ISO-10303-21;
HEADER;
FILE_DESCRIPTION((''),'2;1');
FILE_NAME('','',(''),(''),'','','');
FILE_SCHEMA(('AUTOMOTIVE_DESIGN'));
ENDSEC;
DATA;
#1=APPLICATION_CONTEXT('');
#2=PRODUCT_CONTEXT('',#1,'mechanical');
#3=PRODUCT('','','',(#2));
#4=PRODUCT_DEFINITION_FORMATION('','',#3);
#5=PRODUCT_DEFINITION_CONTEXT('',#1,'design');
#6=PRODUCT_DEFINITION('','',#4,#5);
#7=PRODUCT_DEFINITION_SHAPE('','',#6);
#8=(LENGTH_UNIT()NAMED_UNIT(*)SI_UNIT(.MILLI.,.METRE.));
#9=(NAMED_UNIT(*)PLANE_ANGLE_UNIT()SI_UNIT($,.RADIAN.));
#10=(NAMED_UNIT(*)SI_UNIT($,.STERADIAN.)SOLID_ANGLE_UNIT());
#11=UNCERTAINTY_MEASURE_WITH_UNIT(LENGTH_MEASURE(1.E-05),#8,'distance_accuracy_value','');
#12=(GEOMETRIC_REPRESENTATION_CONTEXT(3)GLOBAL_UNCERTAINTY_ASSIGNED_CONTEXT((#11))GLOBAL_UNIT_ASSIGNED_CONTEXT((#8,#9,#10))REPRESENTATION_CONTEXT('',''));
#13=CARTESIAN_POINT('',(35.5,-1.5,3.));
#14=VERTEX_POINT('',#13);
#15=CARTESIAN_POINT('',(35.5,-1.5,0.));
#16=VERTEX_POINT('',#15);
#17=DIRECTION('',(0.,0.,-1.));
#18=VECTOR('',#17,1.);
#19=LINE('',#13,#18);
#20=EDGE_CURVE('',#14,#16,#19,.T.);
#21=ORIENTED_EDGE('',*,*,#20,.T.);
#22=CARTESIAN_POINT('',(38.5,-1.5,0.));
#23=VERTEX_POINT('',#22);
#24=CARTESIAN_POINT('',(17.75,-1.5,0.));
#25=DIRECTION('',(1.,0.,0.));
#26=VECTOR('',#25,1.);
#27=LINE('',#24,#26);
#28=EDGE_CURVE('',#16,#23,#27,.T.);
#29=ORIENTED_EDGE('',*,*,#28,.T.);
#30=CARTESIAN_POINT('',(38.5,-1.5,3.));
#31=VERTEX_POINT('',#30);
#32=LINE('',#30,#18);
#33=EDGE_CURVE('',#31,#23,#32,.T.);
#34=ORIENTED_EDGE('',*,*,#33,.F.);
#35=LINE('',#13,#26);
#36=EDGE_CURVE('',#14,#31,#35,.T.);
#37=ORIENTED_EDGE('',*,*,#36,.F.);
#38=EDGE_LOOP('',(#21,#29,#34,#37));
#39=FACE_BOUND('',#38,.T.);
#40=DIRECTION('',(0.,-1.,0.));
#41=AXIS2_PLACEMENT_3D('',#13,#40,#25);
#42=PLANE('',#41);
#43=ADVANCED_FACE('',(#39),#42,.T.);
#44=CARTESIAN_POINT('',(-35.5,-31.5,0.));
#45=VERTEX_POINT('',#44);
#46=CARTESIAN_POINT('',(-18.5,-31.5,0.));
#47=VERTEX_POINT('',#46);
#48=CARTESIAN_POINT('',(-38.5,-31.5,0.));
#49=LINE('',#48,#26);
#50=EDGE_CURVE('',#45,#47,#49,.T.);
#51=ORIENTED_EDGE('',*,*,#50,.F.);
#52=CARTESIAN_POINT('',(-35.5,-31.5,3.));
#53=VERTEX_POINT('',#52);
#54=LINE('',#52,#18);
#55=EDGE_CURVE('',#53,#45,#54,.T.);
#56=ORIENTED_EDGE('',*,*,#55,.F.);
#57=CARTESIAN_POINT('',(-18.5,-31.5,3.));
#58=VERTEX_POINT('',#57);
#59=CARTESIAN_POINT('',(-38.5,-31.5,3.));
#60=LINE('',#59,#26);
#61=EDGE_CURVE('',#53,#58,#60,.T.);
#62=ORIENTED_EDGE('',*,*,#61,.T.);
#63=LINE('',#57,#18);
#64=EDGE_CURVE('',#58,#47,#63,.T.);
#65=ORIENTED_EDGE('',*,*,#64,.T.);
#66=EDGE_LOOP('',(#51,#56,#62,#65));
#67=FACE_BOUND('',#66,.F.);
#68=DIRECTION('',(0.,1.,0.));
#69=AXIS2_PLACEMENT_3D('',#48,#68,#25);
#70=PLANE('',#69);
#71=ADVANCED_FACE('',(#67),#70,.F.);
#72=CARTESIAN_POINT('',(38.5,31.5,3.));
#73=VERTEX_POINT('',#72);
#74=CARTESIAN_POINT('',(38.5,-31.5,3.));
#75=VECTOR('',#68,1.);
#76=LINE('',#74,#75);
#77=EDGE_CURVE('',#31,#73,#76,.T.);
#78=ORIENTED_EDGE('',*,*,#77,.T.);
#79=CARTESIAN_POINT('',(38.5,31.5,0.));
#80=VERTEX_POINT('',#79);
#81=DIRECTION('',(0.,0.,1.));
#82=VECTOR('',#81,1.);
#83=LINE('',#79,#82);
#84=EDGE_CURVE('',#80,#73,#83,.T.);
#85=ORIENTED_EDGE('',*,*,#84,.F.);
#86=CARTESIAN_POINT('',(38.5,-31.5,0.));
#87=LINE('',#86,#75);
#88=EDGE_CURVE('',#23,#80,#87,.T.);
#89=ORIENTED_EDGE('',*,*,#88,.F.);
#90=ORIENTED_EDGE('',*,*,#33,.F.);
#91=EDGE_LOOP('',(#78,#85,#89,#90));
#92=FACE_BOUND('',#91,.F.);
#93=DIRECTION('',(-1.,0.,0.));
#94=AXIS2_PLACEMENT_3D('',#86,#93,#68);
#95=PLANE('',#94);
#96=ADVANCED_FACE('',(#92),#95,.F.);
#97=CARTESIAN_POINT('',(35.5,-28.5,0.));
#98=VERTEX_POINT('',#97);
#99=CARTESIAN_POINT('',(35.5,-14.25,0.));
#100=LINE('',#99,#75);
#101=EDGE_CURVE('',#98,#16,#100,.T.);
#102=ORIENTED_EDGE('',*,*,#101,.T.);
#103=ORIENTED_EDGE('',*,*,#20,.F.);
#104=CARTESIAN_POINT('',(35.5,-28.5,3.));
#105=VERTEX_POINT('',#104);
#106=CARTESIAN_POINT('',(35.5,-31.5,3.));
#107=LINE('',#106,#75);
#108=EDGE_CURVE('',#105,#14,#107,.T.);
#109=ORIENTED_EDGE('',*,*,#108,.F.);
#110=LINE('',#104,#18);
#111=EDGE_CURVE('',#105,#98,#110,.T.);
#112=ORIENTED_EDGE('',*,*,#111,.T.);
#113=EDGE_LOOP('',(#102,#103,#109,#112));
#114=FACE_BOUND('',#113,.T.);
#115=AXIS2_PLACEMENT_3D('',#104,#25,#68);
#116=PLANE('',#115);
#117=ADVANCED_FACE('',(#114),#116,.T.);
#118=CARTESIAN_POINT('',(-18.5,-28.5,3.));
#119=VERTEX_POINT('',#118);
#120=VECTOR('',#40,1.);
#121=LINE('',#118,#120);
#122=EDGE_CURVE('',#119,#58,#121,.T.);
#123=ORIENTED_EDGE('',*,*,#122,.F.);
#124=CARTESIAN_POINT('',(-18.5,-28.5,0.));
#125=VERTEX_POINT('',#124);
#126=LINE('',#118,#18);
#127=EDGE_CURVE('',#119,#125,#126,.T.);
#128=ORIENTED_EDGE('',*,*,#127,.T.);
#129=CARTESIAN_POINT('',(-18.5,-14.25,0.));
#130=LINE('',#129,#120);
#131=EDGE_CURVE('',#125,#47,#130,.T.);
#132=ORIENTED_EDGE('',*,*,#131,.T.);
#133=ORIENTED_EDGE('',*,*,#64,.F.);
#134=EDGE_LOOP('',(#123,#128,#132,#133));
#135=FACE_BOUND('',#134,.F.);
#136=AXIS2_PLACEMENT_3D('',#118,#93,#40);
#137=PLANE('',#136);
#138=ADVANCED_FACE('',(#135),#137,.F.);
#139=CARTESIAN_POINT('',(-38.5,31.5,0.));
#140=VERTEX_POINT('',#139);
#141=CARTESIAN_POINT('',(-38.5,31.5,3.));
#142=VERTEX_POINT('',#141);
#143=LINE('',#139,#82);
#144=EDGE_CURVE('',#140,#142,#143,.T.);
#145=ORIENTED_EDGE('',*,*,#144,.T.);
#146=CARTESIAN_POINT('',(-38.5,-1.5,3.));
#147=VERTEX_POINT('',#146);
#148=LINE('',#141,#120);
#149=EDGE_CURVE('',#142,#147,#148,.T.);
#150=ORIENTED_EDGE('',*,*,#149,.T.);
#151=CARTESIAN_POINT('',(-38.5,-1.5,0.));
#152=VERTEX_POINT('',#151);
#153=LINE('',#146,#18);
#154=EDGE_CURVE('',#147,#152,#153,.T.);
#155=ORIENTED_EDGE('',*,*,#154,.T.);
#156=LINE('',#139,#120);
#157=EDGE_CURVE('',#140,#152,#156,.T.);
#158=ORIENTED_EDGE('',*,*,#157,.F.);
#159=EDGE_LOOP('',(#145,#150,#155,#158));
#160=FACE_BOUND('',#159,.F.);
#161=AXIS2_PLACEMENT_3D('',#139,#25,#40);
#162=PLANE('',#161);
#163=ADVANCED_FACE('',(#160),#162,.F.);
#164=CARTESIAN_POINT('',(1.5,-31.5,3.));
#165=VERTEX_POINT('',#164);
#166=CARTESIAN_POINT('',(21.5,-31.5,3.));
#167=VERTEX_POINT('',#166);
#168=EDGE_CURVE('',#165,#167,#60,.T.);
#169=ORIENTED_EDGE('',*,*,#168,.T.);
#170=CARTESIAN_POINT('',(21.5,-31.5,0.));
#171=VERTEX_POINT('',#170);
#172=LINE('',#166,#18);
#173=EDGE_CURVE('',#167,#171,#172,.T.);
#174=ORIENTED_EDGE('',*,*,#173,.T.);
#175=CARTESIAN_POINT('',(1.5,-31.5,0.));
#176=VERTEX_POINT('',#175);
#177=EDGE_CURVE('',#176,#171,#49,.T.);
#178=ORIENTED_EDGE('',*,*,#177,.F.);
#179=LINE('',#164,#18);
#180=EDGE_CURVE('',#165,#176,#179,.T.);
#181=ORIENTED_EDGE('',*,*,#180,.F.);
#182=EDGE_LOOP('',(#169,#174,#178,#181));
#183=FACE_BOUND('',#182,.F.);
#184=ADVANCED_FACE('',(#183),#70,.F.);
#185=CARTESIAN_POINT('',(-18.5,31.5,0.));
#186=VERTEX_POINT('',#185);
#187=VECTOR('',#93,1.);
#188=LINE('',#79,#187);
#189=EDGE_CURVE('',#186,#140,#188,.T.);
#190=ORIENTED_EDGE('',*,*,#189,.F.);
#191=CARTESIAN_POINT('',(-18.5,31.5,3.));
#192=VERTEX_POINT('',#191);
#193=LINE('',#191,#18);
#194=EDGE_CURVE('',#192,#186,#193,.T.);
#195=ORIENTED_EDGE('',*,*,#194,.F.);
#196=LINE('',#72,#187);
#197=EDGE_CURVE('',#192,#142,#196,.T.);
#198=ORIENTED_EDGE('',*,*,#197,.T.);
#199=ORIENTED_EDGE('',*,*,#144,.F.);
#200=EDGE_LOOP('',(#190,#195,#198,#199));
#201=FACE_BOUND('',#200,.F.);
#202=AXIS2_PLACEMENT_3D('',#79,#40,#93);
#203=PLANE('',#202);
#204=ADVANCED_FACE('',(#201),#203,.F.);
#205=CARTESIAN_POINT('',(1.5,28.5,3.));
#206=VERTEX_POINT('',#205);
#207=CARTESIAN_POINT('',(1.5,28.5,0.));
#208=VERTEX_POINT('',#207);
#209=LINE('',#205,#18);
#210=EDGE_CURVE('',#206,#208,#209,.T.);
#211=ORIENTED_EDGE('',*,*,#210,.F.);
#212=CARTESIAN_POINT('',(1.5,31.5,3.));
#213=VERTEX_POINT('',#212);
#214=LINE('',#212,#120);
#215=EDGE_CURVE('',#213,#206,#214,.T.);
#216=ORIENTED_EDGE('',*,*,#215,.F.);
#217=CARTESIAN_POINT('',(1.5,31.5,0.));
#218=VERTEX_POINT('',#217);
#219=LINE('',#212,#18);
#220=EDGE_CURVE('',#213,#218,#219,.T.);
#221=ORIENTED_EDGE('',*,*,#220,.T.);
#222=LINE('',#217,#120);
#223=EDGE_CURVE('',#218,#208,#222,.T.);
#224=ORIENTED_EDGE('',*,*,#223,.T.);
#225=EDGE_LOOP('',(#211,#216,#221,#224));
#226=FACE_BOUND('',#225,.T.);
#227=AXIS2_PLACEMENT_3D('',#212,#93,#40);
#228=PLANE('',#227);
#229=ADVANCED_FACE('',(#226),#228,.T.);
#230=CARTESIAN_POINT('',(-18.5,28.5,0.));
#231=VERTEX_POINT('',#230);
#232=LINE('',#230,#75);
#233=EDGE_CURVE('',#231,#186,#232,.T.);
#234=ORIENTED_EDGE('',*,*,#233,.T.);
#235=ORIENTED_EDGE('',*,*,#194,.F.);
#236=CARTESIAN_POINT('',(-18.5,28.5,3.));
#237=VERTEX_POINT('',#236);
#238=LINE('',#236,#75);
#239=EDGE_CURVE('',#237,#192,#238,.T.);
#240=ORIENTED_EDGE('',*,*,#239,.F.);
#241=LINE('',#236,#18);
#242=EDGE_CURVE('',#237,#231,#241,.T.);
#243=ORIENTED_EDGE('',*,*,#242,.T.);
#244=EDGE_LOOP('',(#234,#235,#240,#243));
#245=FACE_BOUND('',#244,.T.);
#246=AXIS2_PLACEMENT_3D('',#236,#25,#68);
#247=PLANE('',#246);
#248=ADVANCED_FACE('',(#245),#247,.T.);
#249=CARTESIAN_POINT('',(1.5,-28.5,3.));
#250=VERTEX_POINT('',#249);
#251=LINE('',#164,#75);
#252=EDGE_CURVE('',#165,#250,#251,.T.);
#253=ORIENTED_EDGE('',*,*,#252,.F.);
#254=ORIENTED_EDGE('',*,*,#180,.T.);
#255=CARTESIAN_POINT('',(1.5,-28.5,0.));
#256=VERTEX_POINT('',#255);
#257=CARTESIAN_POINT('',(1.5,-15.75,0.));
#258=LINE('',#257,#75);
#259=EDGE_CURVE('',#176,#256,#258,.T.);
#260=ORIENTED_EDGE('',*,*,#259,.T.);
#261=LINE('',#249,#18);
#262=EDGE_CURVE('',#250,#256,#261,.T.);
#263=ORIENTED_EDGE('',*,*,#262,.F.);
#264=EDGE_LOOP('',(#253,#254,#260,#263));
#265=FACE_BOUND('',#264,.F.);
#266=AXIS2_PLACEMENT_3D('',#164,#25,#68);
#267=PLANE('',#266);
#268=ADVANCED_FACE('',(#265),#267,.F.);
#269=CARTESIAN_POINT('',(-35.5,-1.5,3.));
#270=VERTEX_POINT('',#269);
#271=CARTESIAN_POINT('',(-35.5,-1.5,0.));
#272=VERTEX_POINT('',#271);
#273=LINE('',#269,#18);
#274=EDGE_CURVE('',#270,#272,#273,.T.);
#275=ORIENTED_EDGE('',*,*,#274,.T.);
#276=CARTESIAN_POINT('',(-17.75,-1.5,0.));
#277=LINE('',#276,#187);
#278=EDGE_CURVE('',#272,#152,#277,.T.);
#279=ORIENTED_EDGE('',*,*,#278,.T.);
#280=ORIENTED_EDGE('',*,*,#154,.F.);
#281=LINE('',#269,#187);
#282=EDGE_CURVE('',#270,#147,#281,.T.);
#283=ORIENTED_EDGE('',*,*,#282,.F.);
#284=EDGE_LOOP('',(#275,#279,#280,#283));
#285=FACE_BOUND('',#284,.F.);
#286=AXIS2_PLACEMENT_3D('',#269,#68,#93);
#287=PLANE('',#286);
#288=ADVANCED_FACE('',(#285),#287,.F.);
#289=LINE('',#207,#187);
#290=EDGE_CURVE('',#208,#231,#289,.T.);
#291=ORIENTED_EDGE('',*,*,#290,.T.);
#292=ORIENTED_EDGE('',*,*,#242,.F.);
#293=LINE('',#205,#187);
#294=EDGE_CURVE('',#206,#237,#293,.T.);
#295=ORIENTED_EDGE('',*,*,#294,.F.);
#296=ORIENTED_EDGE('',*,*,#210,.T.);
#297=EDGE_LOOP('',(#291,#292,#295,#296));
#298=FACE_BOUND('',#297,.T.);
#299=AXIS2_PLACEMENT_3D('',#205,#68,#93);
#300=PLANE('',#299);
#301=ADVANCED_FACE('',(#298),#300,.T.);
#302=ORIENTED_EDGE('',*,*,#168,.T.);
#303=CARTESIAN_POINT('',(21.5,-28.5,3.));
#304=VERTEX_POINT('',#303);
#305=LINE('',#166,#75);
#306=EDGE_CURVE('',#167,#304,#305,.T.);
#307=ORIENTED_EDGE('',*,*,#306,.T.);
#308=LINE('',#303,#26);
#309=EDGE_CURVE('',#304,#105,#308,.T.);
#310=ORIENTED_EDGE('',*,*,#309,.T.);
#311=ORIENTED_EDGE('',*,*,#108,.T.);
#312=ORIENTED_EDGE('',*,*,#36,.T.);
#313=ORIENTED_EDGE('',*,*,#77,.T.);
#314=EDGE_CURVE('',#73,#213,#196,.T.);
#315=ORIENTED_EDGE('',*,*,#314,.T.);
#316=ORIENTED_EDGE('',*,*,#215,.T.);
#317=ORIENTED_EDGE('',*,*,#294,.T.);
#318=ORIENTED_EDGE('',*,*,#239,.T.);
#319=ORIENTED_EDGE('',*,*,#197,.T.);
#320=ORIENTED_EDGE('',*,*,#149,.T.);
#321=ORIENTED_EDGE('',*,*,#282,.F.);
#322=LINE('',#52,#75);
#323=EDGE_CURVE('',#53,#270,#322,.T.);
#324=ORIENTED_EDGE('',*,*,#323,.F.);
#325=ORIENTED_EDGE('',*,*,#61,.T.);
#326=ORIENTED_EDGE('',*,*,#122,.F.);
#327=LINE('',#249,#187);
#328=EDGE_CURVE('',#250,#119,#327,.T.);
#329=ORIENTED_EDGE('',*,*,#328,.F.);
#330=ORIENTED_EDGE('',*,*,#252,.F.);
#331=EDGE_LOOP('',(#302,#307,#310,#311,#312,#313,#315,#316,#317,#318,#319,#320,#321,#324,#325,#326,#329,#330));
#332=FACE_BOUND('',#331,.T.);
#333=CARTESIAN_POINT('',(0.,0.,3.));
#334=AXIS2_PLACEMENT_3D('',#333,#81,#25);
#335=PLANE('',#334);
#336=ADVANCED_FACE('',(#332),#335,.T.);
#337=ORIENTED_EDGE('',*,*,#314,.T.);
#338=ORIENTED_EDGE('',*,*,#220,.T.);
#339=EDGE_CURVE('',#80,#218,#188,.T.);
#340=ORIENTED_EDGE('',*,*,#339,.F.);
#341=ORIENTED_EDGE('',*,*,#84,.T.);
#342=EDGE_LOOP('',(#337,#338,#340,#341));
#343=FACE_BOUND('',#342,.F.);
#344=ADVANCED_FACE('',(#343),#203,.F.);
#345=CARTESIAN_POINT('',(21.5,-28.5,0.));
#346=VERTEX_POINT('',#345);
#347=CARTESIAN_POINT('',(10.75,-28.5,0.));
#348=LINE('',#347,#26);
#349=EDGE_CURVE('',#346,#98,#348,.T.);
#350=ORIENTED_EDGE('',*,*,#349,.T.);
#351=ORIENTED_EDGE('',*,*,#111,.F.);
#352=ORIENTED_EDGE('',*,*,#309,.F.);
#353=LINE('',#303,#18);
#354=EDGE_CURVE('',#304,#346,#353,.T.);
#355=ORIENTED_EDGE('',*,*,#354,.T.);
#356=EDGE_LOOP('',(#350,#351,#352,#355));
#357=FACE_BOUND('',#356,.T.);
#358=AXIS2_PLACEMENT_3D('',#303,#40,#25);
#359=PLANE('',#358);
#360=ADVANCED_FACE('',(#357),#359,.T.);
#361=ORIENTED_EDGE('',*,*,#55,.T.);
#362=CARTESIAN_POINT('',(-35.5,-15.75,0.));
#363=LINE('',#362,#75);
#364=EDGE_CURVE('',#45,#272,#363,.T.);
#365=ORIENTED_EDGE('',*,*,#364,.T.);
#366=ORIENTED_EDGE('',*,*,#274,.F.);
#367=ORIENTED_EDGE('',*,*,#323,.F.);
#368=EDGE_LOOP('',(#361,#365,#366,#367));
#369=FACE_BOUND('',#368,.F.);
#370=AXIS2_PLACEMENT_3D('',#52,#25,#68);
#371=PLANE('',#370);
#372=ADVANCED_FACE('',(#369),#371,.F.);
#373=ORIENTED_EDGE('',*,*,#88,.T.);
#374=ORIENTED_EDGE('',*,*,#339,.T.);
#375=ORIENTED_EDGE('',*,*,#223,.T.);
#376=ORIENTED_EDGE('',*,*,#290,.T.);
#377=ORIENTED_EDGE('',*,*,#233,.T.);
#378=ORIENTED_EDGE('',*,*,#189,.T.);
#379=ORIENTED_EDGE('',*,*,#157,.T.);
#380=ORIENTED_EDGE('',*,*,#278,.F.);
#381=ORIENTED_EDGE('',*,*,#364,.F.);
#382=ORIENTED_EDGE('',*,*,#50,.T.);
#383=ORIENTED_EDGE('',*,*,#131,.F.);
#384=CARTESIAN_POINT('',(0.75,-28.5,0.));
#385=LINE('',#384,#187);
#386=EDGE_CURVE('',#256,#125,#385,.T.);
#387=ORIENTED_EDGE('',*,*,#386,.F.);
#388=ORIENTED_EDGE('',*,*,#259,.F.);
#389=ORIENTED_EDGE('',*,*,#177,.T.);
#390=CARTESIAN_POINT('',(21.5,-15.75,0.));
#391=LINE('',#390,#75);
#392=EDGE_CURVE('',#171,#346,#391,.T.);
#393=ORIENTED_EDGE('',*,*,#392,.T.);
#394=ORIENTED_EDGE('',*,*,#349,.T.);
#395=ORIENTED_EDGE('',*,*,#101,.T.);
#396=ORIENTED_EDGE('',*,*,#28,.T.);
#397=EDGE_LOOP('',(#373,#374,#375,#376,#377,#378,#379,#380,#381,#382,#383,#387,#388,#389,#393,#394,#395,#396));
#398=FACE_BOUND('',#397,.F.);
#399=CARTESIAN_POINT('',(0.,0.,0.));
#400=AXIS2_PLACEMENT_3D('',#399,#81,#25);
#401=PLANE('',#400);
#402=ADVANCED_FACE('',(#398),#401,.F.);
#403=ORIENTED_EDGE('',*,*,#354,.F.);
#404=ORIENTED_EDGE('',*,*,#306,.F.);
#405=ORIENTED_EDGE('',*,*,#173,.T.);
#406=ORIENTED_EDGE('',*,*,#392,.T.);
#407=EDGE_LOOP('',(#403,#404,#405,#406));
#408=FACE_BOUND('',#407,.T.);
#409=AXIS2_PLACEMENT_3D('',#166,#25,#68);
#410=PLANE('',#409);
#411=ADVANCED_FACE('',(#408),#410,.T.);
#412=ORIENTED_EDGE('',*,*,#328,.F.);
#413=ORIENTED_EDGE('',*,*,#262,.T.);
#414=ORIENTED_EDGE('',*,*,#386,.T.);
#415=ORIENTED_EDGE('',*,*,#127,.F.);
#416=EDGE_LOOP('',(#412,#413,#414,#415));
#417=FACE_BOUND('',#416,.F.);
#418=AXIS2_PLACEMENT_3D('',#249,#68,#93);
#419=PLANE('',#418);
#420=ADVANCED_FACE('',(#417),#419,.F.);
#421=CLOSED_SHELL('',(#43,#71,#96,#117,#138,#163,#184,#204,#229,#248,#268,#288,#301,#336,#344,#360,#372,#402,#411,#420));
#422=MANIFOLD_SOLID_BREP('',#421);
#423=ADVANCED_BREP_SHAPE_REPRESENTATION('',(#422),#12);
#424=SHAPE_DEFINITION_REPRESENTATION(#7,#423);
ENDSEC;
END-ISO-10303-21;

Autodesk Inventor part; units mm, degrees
ref_plane "YZ Plane" through (0, 0, 0) normal (1, 0, 0) x (0, 1, 0)
ref_plane "XZ Plane" through (0, 0, 0) normal (0, 1, 0) x (-1, 0, 0)
ref_plane "XY Plane" through (0, 0, 0) normal (0, 0, 1) x (1, 0, 0)
sketch "Sketch1" plane through (0, 0, 0) normal (0, 0, 1) x (1, 0, 0)
  line L0 (-38.5, -31.5) -> (38.5, -31.5)
  line L1 (38.5, -31.5) -> (38.5, 31.5)
  line L2 (38.5, 31.5) -> (-38.5, 31.5)
  line L3 (-38.5, 31.5) -> (-38.5, -31.5)
  line L4 (-38.5, -31.5) -> (38.5, 31.5) construction
  line L5 (38.5, -31.5) -> (-38.5, 31.5) construction
  point P0 (0, 0)
  dimension "d0" = 77
  dimension "d1" = 63
extrude "Extrusion1" add sketch "Sketch1" along normal blind 3
sketch "Sketch2" plane through (0, 0, 3) normal (0, 0, 1) x (1, 0, 0)
  line L0 (-38.5, 31.5) -> (-38.5, -31.5) projected
  line L1 (-38.5, -31.5) -> (-35.5, -31.5)
  line L2 (-35.5, -31.5) -> (-35.5, -1.5)
  line L3 (-35.5, -1.5) -> (-38.5, -1.5)
  line L4 (-38.5, -1.5) -> (-38.5, -31.5)
  line L5 (-38.5, -31.5) -> (38.5, -31.5) projected
  line L6 (38.5, -31.5) -> (35.5, -31.5)
  line L7 (35.5, -31.5) -> (35.5, -1.5)
  line L8 (35.5, -1.5) -> (38.5, -1.5)
  line L9 (38.5, -1.5) -> (38.5, -31.5)
  line L10 (-18.5, -31.5) -> (1.5, -31.5)
  line L11 (1.5, -31.5) -> (1.5, -28.5)
  line L12 (1.5, -28.5) -> (-18.5, -28.5)
  line L13 (-18.5, -28.5) -> (-18.5, -31.5)
  line L14 (35.5, -31.5) -> (21.5, -31.5)
  line L15 (21.5, -31.5) -> (21.5, -28.5)
  line L16 (21.5, -28.5) -> (35.5, -28.5)
  line L17 (35.5, -28.5) -> (35.5, -31.5)
  point P0 (0, 0)
  dimension "d4" = 3
  dimension "d5" = 30
  dimension "d6" = 3
  dimension "d7" = 30
  dimension "d8" = 20
  dimension "d9" = 3
  dimension "d10" = 20
  dimension "d11" = 3
  dimension "d12" = 20
extrude "Extrusion2" cut sketch "Sketch2" against normal through all
sketch "Sketch3" plane through (0, 0, 3) normal (0, 0, 1) x (1, 0, 0)
  line L0 (38.5, 31.5) -> (-38.5, 31.5) projected
  line L1 (-18.5, 31.5) -> (1.5, 31.5)
  line L2 (1.5, 31.5) -> (1.5, 28.5)
  line L3 (1.5, 28.5) -> (-18.5, 28.5)
  line L4 (-18.5, 28.5) -> (-18.5, 31.5)
  line L5 (-38.5, 31.5) -> (-38.5, -1.5) projected
  point P0 (0, 0)
  dimension "d15" = 20
  dimension "d16" = 3
  dimension "d17" = 20
extrude "Extrusion3" cut sketch "Sketch3" against normal blind 3
properties part number "front_left"
